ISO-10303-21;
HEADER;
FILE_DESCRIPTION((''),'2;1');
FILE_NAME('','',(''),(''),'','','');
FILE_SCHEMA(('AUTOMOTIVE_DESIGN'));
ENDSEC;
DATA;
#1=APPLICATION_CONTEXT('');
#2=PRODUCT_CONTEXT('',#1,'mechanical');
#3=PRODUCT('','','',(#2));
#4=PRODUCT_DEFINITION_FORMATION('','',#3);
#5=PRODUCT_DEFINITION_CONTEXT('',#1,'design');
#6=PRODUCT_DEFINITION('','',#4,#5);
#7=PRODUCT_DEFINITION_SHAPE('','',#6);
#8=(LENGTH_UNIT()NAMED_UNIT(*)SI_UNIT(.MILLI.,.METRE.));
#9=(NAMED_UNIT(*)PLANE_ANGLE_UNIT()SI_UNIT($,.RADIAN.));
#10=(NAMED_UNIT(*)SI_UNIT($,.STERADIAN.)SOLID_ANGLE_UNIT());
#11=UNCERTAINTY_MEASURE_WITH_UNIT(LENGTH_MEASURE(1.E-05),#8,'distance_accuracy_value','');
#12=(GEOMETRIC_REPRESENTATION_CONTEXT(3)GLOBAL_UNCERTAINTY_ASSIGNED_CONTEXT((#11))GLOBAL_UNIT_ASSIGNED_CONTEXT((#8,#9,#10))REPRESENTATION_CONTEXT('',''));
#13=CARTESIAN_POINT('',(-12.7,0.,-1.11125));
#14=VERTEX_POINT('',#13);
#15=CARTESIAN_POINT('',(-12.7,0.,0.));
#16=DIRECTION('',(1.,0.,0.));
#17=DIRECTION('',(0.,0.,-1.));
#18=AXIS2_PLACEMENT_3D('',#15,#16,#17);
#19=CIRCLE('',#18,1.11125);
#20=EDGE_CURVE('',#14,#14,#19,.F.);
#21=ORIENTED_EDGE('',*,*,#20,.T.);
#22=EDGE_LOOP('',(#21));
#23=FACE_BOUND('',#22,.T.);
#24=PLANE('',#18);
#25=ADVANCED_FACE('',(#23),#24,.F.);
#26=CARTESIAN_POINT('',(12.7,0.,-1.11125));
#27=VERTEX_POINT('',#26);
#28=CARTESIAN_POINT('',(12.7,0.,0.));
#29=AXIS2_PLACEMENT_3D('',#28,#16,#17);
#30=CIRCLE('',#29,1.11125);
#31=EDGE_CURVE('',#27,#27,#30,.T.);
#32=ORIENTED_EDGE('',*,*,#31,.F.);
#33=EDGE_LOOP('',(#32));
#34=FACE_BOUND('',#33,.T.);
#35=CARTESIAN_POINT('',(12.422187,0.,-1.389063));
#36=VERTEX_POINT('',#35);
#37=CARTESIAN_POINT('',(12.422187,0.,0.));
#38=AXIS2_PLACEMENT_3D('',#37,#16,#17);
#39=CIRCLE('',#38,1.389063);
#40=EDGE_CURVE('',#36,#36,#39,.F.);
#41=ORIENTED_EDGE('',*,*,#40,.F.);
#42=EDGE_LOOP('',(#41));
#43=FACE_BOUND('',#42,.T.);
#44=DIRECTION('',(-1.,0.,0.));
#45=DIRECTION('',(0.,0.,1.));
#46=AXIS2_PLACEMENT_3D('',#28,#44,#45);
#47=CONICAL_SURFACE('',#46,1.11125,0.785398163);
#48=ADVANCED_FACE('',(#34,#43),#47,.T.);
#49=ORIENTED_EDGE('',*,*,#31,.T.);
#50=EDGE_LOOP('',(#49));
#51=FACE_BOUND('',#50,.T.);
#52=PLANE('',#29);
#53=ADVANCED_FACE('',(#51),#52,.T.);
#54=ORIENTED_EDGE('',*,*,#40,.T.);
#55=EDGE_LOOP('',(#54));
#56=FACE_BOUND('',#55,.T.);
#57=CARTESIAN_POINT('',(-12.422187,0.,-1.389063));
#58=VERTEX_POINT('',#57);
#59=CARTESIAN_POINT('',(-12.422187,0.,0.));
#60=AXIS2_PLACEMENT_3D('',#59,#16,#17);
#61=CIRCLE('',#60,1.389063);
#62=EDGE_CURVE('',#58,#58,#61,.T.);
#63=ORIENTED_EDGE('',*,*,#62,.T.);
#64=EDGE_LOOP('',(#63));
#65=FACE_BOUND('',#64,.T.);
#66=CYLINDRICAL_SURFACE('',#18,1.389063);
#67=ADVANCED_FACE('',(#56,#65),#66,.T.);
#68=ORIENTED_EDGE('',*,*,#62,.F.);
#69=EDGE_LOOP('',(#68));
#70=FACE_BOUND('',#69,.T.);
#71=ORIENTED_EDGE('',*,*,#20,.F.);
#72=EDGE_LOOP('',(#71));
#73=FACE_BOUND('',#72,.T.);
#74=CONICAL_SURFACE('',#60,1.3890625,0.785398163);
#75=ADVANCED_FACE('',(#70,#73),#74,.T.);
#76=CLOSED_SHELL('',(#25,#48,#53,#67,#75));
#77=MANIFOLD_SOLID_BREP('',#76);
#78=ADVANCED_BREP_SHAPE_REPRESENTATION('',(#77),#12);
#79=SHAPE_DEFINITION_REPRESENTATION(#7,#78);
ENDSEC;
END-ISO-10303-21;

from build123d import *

# Parameters (mm, degrees)
EXTRUDE1_DEPTH      = 12.7
EXTRUDE1_DEPTH_BACK = 12.7
SKETCH2_R           = 1.3890625
CHAMFER1_SIZE       = 0.2778125


with BuildPart() as part:
    # Sketch2 → Extrude1 (new, two sides: drawn at the far end of the back side and taken through both)
    with BuildSketch(Plane(origin=(0, 0, 0), x_dir=(0, 0, -1), z_dir=(1, 0, 0)).offset(-EXTRUDE1_DEPTH_BACK)):
        Circle(SKETCH2_R)
    extrude(amount=EXTRUDE1_DEPTH + EXTRUDE1_DEPTH_BACK)

    # Chamfer1
    chamfer1_edges = [part.edges().sort_by_distance(p)[0] for p in [
        (-12.7, 0, 1.3890625),
        (12.7, 0, 1.3890625),
    ]]
    chamfer(chamfer1_edges, length=CHAMFER1_SIZE)


solid = part.part
